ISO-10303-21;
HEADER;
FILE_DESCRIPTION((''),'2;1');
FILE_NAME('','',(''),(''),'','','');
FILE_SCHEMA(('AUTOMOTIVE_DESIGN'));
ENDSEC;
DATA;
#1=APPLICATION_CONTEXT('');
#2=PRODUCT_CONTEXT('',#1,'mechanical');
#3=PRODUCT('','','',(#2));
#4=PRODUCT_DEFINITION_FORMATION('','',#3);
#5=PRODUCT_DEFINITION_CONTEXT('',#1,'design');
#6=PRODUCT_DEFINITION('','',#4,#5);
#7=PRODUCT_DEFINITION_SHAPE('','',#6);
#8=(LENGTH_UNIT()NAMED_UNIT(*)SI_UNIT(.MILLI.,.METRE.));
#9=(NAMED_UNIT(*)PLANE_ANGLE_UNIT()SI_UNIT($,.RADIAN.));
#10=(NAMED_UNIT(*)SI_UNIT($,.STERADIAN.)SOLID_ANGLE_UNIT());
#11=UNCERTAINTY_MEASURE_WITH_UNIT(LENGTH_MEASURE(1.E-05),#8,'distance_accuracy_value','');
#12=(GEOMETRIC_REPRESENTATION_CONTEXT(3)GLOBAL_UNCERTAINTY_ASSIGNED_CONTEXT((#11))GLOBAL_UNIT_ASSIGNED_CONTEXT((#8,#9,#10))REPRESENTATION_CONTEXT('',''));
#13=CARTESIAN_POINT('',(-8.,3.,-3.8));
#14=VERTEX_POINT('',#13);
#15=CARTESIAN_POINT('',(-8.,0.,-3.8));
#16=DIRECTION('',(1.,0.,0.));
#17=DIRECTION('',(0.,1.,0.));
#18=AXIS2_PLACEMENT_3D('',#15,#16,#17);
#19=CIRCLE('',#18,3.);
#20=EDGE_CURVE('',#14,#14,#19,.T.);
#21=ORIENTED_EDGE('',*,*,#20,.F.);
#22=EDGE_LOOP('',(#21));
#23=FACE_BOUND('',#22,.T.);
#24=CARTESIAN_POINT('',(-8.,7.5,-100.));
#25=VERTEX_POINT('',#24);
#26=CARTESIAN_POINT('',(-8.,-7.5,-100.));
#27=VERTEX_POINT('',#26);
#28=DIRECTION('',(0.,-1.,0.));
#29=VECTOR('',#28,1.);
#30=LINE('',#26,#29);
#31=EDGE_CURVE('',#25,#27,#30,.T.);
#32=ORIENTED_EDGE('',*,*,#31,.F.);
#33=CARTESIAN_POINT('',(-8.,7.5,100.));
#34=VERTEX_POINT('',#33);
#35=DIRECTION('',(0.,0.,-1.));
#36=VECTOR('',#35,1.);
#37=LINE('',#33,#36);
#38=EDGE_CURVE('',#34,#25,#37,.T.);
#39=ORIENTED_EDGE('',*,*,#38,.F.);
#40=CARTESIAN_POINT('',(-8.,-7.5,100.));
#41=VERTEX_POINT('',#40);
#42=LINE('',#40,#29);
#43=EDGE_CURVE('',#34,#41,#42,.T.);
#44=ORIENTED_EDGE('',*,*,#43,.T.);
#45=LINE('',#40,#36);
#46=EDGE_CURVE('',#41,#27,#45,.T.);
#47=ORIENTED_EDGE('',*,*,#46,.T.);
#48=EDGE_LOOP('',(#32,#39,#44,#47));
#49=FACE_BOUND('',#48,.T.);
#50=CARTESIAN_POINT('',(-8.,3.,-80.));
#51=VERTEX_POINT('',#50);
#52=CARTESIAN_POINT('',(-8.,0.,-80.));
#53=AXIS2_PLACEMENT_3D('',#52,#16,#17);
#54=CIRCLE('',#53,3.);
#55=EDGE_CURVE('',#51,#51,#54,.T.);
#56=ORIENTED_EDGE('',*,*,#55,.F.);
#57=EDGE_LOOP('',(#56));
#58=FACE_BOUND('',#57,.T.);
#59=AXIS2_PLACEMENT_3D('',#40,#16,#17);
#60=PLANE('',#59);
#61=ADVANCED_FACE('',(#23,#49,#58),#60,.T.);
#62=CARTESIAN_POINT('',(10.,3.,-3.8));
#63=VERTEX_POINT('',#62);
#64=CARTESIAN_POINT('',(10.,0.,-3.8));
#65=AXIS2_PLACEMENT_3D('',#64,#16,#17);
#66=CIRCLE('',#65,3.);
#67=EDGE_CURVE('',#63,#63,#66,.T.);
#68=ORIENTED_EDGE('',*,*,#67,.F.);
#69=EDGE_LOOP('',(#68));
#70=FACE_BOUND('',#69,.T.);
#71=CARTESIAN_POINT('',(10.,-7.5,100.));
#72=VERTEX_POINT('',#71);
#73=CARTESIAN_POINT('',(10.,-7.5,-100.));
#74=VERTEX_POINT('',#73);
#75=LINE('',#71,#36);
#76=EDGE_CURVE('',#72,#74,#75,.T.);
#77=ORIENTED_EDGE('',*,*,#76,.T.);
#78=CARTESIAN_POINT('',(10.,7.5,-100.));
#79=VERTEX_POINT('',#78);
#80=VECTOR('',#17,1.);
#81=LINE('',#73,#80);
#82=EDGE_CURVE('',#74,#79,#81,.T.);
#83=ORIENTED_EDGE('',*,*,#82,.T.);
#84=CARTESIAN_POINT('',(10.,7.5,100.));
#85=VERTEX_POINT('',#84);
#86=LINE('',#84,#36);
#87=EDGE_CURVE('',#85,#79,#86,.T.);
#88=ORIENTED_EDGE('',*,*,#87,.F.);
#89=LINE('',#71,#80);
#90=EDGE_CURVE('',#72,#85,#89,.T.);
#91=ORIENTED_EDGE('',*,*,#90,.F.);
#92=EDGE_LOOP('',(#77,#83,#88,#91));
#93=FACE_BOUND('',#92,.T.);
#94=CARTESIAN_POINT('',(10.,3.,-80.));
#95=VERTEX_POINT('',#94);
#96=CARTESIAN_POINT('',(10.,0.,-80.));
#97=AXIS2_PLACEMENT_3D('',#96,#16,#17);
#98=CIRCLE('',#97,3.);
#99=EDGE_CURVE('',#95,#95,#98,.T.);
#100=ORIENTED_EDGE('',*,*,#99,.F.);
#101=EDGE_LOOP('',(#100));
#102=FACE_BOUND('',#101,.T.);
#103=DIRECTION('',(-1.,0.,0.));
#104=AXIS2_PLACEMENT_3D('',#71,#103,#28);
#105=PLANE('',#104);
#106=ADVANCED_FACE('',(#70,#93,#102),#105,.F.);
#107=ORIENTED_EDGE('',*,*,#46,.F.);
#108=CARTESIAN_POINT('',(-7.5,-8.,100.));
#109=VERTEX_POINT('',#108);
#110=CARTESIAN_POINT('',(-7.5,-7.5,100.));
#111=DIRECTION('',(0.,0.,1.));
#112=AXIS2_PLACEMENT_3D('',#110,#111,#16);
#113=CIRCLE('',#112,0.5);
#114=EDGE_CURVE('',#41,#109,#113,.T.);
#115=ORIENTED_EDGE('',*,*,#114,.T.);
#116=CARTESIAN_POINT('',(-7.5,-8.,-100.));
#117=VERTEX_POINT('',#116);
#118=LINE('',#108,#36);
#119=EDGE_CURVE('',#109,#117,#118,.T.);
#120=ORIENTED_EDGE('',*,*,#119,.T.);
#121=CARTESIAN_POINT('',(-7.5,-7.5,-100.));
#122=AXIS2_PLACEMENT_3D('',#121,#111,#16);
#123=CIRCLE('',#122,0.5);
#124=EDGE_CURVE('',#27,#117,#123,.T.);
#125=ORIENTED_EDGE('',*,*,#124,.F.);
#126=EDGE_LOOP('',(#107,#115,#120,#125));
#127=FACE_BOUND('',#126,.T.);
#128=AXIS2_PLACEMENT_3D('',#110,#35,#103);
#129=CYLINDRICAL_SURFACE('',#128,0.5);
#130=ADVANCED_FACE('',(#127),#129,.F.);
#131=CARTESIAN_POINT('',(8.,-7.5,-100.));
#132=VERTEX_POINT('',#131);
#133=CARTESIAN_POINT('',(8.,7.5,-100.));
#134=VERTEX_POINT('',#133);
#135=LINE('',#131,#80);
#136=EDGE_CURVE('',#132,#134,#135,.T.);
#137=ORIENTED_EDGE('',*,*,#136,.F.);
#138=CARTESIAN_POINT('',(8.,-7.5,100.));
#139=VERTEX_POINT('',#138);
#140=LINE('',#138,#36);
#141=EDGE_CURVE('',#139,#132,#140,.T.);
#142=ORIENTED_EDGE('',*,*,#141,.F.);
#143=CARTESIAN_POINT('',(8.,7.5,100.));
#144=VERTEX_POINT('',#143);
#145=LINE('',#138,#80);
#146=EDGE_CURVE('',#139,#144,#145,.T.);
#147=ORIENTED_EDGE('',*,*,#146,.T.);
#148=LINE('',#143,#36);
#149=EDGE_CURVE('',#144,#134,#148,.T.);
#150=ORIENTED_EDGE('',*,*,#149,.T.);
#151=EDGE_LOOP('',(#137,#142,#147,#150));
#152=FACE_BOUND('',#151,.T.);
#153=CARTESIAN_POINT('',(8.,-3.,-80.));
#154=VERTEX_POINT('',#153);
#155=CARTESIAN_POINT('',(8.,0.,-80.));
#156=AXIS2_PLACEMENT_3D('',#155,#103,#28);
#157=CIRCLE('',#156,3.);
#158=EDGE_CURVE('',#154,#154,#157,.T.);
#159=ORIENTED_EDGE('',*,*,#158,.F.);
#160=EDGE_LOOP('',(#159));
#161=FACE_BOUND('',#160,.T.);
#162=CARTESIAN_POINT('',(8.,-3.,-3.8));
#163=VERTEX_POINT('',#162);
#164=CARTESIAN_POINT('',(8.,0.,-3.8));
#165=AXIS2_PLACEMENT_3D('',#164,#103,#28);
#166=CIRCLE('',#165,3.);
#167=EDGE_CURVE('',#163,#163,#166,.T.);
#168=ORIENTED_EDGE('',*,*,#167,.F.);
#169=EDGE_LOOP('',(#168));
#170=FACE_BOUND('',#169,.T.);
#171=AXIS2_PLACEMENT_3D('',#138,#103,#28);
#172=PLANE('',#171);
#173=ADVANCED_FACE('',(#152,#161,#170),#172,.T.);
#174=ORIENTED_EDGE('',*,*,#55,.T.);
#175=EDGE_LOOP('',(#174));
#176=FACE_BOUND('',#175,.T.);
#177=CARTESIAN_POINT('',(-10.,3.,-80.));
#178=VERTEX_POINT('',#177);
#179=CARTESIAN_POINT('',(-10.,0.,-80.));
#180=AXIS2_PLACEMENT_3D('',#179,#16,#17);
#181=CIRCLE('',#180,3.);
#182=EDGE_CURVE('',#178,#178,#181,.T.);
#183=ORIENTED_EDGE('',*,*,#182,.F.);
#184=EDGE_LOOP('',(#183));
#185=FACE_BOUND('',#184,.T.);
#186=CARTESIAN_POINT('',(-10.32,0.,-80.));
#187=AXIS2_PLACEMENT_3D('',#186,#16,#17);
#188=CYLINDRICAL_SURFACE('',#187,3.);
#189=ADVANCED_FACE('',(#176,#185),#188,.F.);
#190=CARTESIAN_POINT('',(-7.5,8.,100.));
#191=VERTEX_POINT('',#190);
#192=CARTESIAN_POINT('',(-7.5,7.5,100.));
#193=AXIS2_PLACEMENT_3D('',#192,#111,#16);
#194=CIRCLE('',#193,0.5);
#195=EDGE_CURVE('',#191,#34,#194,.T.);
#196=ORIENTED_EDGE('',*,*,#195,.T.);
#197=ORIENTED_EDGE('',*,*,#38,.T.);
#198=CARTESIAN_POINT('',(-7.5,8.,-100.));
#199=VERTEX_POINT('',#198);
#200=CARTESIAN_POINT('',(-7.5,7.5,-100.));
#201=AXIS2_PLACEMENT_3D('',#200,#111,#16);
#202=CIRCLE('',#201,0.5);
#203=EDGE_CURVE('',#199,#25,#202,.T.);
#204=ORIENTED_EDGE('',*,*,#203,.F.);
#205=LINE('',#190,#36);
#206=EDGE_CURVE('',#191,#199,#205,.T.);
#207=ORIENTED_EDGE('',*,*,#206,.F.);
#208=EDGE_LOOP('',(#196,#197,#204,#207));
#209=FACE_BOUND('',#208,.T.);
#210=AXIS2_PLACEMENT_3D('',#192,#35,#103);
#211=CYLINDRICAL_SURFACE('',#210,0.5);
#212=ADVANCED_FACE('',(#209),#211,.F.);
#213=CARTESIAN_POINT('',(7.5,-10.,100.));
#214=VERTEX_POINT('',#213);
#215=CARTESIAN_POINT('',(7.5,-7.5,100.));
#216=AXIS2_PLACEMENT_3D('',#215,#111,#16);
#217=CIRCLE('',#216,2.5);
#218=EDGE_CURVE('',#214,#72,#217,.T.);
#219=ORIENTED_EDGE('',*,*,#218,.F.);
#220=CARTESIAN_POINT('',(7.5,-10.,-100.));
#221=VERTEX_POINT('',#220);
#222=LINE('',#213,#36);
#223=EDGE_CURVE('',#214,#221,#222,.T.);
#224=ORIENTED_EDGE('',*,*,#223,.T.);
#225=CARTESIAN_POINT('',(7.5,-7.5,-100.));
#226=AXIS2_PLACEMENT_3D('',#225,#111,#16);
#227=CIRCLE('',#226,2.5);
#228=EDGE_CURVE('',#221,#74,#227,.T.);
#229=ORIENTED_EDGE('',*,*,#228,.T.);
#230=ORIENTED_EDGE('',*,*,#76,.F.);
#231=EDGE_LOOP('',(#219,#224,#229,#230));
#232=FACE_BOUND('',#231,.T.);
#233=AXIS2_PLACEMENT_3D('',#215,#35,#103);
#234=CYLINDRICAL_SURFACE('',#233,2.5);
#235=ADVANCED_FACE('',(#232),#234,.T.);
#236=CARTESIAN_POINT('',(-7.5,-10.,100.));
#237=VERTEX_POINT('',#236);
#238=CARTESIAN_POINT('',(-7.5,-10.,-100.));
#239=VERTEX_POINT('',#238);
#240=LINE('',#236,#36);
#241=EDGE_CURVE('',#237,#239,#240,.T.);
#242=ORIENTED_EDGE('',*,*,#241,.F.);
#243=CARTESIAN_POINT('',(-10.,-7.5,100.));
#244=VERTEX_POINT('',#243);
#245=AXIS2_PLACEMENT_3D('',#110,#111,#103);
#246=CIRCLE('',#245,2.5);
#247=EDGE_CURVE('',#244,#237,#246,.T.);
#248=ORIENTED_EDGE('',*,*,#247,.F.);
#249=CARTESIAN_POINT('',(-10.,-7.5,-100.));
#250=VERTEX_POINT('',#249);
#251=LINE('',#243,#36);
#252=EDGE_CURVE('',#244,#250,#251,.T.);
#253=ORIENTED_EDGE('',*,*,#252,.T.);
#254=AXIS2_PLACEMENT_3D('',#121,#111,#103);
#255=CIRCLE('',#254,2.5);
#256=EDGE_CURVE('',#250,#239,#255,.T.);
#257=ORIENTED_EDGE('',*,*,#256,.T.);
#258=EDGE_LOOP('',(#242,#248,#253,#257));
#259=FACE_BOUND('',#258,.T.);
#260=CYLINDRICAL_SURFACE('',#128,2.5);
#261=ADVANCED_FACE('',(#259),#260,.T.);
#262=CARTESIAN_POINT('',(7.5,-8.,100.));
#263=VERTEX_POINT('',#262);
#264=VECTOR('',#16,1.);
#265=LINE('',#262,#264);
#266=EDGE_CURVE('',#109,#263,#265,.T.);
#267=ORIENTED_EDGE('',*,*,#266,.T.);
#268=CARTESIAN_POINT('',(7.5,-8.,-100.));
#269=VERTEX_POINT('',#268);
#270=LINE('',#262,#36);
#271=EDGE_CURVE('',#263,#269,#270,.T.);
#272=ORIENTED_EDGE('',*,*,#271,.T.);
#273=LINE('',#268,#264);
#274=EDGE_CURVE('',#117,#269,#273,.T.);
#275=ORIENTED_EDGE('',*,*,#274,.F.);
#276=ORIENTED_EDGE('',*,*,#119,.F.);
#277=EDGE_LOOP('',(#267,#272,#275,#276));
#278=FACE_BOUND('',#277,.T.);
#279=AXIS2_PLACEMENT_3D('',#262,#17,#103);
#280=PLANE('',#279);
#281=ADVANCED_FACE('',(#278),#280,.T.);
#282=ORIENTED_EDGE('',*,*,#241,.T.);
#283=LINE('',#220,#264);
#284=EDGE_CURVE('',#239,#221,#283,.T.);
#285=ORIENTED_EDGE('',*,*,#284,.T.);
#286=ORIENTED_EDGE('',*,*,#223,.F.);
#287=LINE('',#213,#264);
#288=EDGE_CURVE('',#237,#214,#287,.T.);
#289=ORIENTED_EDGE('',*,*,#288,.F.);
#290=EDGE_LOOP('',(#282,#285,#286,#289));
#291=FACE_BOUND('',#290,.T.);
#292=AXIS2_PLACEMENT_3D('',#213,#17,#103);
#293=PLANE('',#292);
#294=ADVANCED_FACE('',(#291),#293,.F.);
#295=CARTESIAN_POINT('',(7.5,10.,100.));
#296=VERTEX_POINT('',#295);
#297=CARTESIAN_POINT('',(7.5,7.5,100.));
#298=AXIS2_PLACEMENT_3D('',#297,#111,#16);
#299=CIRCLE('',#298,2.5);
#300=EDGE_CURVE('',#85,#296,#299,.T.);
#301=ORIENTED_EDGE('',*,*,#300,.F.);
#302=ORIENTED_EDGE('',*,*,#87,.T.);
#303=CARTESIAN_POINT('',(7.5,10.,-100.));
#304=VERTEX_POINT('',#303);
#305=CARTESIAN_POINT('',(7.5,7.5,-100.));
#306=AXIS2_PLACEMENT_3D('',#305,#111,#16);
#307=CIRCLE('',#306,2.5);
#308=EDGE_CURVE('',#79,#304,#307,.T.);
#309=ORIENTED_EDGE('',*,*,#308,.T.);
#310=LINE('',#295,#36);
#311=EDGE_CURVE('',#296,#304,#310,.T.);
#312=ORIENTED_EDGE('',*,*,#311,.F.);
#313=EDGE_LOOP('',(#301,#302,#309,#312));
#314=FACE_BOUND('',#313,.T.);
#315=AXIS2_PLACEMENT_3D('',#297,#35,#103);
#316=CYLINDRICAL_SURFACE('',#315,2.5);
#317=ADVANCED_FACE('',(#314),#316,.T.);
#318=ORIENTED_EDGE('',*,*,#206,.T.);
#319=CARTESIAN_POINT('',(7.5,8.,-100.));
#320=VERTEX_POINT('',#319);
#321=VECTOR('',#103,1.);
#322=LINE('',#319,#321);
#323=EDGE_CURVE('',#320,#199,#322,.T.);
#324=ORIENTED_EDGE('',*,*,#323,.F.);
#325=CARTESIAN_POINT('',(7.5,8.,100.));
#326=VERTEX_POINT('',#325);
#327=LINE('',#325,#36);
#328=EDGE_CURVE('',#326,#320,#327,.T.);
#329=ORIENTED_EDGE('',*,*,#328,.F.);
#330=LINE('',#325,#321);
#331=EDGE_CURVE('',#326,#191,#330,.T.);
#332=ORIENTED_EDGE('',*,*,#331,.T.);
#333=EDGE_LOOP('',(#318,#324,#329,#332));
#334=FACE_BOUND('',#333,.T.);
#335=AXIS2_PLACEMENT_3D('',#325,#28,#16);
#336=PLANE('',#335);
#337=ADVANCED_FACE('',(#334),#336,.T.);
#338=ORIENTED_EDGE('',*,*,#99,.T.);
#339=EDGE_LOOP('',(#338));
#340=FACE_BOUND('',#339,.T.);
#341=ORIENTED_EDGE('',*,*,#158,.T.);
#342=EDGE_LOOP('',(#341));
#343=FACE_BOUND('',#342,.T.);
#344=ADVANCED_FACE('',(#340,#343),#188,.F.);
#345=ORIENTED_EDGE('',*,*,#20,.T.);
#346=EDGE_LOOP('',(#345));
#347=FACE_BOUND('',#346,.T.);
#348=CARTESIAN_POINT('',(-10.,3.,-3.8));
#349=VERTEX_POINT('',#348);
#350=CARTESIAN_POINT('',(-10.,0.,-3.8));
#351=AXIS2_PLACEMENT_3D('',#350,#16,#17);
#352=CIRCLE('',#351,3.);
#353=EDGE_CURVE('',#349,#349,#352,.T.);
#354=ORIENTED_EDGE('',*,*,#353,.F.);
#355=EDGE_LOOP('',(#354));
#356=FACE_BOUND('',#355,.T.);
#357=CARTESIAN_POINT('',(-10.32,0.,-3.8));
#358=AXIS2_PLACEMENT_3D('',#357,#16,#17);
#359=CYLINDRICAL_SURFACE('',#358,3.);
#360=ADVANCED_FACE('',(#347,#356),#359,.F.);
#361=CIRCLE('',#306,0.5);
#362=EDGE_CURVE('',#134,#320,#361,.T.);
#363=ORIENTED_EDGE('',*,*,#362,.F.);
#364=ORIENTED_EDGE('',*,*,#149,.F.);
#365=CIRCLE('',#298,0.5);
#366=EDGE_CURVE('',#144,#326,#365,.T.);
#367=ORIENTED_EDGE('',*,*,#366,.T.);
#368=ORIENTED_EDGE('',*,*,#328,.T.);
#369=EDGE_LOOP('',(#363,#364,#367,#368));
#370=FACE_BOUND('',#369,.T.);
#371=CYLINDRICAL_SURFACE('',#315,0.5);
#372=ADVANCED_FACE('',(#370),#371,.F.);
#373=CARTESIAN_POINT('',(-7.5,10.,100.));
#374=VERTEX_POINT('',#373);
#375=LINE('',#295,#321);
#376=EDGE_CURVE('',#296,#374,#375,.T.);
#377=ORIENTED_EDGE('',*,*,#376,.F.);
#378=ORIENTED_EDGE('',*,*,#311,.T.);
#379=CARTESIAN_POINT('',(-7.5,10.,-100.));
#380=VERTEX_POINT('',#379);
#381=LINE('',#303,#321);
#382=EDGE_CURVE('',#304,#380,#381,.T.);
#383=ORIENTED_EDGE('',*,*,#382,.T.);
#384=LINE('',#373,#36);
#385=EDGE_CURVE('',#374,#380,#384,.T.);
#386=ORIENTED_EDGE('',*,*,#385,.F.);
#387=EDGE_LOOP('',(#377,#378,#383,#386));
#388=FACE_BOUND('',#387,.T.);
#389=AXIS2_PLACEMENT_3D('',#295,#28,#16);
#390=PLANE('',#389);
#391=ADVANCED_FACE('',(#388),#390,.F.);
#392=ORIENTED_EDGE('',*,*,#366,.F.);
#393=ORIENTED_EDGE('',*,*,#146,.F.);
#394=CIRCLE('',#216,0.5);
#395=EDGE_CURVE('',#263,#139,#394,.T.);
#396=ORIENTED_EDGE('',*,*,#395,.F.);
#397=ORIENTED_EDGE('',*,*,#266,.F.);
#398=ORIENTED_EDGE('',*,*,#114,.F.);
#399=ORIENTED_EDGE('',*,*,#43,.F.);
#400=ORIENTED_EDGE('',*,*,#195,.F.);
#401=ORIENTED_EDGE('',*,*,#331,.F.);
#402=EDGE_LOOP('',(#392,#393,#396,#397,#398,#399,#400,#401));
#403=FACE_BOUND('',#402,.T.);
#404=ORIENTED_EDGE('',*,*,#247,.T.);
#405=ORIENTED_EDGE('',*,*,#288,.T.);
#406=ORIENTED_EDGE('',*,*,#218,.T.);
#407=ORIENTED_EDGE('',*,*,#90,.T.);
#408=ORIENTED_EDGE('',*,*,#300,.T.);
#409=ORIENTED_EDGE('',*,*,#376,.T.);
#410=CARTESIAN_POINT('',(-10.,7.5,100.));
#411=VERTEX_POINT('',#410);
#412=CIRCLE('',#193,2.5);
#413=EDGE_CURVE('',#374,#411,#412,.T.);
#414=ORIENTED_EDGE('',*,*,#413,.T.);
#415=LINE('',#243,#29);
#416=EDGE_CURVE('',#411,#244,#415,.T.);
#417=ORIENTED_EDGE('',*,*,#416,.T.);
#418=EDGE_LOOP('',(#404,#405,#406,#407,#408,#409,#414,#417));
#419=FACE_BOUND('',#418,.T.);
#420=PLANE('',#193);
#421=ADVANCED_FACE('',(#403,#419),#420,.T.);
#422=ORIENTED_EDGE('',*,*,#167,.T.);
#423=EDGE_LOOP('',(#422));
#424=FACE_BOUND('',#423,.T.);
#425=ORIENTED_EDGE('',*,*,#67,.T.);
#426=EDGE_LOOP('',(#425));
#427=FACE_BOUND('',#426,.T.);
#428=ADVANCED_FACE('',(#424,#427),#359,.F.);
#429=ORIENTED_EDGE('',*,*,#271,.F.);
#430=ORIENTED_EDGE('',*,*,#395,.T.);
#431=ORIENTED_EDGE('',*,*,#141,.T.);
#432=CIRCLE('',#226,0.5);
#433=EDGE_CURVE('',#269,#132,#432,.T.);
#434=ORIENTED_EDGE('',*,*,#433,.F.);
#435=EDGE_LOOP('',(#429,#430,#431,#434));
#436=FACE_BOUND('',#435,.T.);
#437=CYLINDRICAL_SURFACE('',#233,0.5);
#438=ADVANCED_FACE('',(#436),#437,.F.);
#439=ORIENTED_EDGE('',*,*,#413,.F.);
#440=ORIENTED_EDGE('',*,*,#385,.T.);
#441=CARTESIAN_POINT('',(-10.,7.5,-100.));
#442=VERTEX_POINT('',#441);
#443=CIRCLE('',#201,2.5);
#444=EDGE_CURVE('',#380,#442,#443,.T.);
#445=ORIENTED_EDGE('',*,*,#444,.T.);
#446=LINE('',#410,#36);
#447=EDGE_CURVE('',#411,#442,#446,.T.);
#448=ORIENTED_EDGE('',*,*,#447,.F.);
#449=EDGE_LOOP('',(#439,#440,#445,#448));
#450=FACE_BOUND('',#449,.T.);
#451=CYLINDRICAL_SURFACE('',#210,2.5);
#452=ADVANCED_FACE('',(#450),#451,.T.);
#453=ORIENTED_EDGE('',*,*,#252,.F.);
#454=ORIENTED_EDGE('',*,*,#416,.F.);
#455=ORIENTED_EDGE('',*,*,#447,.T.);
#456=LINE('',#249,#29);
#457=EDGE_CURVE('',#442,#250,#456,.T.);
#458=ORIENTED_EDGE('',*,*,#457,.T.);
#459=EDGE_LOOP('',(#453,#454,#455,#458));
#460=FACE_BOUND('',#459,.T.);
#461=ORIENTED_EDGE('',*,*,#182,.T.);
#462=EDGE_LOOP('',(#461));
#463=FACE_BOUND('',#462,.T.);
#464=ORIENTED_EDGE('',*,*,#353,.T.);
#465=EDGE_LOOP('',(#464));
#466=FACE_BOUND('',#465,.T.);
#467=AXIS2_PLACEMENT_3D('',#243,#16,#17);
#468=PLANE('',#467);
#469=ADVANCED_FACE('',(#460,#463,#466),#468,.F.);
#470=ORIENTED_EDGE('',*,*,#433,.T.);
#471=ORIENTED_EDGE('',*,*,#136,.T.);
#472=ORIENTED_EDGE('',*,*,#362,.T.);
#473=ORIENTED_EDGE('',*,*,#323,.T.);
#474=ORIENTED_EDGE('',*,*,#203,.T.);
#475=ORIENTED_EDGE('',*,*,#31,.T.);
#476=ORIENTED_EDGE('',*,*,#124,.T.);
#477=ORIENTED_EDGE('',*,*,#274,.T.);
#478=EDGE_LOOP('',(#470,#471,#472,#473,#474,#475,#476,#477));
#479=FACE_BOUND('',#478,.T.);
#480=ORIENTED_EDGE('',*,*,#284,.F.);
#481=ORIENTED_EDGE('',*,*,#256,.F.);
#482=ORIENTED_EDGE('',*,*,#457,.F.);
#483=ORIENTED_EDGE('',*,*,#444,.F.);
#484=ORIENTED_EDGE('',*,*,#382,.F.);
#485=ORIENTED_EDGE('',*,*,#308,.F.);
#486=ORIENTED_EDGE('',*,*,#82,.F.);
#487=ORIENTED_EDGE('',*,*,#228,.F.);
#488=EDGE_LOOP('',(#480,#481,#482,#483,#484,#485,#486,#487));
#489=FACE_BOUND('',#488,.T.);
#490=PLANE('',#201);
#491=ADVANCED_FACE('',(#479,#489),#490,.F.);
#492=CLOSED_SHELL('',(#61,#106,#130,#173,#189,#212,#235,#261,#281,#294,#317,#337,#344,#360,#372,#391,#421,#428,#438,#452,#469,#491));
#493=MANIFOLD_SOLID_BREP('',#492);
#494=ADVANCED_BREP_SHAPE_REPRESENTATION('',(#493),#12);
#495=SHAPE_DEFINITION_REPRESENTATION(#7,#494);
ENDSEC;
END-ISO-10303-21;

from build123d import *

# Parameters (mm, degrees)
EXTRUDE_THIN1_DEPTH   = 100
IZIM1_R               = 3
KES_EKSTR_ZYON1_DEPTH = 20.32


with BuildPart() as part:
    # Sketch1 → Extrude-Thin1 (new body, symmetric)
    with BuildSketch(Plane.XY):
        with BuildLine():
            Line((-10, -7.5), (-10, 7.5))
            ThreePointArc((-10, 7.5), (-9.267766953, 9.267766953), (-7.5, 10))
            Line((-7.5, 10), (7.5, 10))
            ThreePointArc((7.5, 10), (9.267766953, 9.267766953), (10, 7.5))
            Line((10, 7.5), (10, -7.5))
            ThreePointArc((10, -7.5), (9.267766953, -9.267766953), (7.5, -10))
            Line((7.5, -10), (-7.5, -10))
            ThreePointArc((-7.5, -10), (-9.267766953, -9.267766953), (-10, -7.5))
        make_face()
        with BuildLine():
            Line((-8, -7.5), (-8, 7.5))
            ThreePointArc((-8, 7.5), (-7.853553391, 7.853553391), (-7.5, 8))
            Line((-7.5, 8), (7.5, 8))
            ThreePointArc((7.5, 8), (7.853553391, 7.853553391), (8, 7.5))
            Line((8, 7.5), (8, -7.5))
            ThreePointArc((8, -7.5), (7.853553391, -7.853553391), (7.5, -8))
            Line((7.5, -8), (-7.5, -8))
            ThreePointArc((-7.5, -8), (-7.853553391, -7.853553391), (-8, -7.5))
        make_face(mode=Mode.SUBTRACT)
    extrude(amount=EXTRUDE_THIN1_DEPTH, both=True)

    # Çizim1 → Kes-Ekstrüzyon1 (cut)
    with BuildSketch(Plane(origin=(10, 0, 0), x_dir=(0, 0, -1), z_dir=(1, 0, 0))):
        with Locations((80, 0)):
            Circle(IZIM1_R)
        with Locations((3.8, 0)):
            Circle(IZIM1_R)
    extrude(amount=-KES_EKSTR_ZYON1_DEPTH, mode=Mode.SUBTRACT)


solid = part.part
